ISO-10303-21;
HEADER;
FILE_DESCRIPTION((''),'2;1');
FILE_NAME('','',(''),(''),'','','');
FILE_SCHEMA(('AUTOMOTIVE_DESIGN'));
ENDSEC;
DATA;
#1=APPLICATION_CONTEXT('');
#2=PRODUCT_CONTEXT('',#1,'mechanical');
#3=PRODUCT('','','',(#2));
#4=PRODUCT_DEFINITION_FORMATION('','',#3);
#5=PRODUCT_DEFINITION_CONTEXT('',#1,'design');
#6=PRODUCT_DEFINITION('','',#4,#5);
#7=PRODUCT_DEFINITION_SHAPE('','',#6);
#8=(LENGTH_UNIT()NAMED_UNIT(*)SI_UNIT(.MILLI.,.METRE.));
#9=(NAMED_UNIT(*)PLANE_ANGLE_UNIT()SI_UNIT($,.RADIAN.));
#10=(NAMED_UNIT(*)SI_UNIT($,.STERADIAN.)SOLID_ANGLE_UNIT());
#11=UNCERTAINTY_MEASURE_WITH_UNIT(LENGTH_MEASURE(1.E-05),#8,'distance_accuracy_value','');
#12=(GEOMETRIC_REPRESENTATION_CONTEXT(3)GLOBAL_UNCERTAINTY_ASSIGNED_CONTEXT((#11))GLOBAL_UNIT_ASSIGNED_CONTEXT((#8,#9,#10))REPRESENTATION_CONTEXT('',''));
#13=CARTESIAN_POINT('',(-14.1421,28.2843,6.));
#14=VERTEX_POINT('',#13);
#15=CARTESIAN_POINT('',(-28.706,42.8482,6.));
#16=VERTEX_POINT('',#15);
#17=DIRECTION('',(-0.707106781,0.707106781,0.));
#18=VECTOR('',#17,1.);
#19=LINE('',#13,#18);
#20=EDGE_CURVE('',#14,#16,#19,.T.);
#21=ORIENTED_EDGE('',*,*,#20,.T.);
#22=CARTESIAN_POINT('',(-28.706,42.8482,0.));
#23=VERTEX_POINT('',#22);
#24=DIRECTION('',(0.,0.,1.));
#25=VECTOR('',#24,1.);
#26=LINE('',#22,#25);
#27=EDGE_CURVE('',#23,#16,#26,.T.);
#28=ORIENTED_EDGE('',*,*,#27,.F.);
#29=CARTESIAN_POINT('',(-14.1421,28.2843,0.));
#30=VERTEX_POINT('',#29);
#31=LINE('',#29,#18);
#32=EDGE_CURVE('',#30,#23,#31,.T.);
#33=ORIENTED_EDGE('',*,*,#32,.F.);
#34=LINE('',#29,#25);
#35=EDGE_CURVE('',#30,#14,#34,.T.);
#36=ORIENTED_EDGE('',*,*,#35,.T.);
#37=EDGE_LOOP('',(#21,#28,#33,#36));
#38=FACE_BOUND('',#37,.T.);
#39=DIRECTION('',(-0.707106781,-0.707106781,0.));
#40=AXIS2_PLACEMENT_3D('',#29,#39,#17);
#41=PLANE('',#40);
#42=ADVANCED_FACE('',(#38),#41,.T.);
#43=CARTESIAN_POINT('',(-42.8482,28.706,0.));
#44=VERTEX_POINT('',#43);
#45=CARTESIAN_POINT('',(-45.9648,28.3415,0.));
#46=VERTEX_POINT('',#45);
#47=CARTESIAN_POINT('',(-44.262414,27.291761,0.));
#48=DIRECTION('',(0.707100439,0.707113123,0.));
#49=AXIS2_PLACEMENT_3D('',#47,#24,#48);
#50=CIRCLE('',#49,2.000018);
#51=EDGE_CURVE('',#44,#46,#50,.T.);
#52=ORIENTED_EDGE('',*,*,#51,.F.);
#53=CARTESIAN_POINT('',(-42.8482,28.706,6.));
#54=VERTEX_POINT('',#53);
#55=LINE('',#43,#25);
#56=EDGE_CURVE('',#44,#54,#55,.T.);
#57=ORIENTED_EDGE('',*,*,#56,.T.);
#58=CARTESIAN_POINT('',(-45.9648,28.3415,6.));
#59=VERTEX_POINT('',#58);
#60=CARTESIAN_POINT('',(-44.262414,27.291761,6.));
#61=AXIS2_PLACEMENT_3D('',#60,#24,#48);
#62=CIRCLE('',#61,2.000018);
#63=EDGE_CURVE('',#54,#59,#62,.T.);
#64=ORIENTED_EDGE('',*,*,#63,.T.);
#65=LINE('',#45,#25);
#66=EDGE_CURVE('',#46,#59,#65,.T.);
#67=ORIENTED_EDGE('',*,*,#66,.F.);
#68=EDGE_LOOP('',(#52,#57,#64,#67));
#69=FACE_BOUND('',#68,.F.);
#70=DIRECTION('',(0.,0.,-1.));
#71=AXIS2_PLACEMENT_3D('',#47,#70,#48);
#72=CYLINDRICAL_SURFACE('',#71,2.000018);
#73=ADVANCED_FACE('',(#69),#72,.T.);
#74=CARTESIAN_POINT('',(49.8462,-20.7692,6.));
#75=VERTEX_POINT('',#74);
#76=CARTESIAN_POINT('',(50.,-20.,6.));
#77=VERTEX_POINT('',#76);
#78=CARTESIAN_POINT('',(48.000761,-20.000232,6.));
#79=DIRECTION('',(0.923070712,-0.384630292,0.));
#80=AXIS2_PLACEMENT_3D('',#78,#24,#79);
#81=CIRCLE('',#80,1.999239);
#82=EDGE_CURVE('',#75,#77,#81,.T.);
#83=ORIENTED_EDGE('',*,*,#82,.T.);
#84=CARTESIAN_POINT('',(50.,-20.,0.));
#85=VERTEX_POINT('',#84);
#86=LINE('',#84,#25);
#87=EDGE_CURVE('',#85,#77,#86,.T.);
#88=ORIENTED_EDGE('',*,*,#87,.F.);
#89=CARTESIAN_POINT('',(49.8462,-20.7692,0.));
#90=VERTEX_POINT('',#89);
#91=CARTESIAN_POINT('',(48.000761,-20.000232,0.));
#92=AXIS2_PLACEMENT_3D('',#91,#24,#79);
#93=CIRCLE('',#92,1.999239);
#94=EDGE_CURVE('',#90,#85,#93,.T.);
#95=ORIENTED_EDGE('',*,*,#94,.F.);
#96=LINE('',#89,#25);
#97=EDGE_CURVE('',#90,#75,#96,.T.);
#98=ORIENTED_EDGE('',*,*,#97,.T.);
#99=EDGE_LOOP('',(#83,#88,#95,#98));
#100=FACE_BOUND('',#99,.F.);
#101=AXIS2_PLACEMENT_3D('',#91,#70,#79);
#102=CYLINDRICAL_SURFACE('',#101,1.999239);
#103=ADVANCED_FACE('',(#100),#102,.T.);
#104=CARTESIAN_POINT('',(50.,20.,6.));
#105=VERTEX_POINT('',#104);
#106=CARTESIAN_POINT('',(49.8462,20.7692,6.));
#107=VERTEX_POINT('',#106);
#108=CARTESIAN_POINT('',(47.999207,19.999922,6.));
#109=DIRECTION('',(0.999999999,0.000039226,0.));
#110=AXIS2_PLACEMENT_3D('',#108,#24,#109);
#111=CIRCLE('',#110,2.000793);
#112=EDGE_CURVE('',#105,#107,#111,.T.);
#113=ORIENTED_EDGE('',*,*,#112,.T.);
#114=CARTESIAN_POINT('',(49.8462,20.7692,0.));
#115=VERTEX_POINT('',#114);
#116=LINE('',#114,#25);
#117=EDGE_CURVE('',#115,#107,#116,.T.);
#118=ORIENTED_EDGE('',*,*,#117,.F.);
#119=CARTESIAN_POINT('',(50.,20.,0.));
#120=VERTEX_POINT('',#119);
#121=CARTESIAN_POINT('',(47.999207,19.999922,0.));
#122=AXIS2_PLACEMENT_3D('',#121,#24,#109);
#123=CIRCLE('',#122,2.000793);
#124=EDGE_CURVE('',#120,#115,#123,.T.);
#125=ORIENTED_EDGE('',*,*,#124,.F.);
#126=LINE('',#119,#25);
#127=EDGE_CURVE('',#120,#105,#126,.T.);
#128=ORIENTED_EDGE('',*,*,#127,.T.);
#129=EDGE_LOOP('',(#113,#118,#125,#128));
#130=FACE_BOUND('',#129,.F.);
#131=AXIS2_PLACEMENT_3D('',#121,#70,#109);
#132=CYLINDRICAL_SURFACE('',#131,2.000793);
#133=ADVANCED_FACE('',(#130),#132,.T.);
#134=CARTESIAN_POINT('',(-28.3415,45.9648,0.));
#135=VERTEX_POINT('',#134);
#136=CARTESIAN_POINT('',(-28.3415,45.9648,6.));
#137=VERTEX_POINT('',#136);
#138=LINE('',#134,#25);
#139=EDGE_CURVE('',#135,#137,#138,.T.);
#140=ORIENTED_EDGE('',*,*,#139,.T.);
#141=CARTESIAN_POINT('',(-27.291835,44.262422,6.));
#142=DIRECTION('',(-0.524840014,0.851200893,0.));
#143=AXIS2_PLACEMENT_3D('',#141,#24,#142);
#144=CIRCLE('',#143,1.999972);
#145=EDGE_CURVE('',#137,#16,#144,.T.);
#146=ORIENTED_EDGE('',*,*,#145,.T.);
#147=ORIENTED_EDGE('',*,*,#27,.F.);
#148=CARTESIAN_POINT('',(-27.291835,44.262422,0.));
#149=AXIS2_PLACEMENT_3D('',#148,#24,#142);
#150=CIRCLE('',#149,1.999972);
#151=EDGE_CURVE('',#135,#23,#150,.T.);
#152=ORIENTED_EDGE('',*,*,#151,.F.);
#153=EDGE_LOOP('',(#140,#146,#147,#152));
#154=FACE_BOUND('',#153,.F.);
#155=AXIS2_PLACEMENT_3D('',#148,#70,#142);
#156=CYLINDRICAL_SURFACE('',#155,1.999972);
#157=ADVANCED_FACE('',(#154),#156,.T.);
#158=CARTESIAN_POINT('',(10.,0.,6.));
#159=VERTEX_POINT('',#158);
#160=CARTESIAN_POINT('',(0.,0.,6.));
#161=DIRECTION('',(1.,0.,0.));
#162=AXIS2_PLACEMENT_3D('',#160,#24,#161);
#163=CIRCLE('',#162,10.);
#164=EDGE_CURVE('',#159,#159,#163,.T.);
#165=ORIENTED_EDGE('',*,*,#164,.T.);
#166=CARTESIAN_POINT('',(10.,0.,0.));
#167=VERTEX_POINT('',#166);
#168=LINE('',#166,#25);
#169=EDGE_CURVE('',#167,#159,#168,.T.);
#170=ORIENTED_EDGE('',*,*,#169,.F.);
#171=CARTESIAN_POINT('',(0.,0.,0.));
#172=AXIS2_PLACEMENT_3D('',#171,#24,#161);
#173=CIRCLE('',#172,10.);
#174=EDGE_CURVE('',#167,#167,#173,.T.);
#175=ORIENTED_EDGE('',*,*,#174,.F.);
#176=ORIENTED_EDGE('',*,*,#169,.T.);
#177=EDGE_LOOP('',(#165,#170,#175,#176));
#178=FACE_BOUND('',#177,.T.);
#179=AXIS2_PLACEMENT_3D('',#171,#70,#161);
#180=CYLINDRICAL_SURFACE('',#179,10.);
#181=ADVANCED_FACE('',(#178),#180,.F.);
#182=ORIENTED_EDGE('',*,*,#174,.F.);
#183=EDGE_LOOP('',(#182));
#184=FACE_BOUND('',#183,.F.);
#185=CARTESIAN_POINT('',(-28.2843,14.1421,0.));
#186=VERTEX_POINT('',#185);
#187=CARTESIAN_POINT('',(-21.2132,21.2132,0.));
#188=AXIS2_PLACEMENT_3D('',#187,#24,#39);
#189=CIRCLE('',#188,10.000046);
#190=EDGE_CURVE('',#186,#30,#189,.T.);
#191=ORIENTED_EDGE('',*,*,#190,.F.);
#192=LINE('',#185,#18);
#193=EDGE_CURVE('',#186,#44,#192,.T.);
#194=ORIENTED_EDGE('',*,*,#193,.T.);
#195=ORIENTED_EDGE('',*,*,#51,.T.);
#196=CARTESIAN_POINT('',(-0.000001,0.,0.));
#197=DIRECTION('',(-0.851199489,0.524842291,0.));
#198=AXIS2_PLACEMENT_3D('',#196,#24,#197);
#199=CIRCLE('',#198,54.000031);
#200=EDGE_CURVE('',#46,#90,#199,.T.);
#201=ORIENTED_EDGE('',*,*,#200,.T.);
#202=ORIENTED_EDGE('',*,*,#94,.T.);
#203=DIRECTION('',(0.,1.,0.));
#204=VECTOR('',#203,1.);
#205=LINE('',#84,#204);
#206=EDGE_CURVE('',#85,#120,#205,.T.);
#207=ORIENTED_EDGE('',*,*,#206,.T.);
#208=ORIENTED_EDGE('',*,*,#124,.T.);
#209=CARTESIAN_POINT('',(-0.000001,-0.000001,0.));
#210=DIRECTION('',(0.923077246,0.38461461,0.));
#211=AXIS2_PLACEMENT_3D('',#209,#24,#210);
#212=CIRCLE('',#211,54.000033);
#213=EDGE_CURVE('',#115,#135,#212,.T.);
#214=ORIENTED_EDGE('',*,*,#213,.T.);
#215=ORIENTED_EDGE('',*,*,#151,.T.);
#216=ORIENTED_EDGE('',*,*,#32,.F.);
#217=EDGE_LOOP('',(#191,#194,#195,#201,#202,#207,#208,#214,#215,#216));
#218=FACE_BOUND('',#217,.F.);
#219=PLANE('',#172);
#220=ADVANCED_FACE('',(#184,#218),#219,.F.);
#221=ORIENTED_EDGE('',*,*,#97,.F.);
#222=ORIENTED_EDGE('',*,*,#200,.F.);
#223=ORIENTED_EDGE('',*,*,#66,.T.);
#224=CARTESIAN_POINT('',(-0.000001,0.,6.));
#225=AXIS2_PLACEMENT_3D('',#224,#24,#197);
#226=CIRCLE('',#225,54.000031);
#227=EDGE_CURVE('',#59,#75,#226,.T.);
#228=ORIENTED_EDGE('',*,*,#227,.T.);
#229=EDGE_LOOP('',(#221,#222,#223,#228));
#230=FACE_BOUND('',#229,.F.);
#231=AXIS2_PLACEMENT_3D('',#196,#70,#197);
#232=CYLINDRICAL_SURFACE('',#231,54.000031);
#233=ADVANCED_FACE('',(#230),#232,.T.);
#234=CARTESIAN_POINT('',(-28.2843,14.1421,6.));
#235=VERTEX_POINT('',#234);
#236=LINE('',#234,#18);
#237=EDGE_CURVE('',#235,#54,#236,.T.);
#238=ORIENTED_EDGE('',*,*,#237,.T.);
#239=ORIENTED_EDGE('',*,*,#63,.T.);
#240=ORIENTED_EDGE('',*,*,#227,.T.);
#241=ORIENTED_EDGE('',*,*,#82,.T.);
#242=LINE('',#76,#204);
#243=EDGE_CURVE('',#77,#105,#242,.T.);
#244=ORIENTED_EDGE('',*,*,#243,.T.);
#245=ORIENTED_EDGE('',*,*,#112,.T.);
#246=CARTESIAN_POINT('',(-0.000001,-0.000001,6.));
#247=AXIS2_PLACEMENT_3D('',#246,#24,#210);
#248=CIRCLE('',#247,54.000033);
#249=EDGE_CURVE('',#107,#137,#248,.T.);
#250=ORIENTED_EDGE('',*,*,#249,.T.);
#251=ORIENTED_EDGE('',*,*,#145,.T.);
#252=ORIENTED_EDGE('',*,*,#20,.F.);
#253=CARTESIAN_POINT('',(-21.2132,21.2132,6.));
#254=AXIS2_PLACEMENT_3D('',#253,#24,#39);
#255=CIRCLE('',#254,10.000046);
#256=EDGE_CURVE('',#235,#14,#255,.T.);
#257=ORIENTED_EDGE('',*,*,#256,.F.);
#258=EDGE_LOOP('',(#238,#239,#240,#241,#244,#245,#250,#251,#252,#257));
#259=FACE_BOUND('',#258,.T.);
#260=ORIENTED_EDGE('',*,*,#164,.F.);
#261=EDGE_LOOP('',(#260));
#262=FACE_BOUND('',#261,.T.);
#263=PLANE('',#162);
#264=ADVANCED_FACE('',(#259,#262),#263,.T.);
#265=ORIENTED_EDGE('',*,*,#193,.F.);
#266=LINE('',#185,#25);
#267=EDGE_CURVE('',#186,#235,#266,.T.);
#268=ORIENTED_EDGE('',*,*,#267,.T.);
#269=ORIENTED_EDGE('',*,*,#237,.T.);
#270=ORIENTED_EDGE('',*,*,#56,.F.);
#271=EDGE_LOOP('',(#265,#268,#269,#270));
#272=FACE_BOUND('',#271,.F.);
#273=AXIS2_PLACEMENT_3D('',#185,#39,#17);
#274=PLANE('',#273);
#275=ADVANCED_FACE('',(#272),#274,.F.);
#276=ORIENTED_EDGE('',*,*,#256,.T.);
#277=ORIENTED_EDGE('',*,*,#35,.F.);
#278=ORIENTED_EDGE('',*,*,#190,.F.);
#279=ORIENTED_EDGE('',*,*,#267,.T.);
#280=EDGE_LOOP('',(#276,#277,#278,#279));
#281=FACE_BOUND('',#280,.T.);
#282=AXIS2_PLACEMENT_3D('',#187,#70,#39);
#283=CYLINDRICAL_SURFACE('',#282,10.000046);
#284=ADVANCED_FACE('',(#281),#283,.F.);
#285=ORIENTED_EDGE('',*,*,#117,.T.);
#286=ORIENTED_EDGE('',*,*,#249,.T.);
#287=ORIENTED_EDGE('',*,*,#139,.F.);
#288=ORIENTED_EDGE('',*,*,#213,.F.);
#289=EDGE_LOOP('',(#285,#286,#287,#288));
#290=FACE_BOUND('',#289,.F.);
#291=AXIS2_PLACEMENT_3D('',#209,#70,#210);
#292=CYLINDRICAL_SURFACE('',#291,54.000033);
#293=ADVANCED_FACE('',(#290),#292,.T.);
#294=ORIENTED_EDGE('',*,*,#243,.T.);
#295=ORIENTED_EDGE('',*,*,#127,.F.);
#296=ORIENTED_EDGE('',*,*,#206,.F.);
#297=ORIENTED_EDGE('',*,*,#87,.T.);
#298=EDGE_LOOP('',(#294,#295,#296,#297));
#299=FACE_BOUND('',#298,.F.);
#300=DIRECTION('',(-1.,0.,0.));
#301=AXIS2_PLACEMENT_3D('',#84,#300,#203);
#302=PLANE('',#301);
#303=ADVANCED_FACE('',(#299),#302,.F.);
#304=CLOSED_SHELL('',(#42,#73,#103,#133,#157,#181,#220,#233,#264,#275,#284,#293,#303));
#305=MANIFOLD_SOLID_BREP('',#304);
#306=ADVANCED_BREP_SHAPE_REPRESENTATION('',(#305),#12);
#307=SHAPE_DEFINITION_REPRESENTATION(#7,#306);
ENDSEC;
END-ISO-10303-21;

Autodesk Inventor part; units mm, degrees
ref_plane "YZ Plane" through (0, 0, 0) normal (1, 0, 0) x (0, 1, 0)
ref_plane "XZ Plane" through (0, 0, 0) normal (0, 1, 0) x (-1, 0, 0)
ref_plane "XY Plane" through (0, 0, 0) normal (0, 0, 1) x (1, 0, 0)
sketch "Sketch1" plane through (0, 0, 0) normal (0, 0, 1) x (1, 0, 0)
  circle A0 centre (0, 0) radius 10
  arc A1 (-28.2843, 14.1421) -> (-14.1421, 28.2843) centre (-21.2132, 21.2132) ccw
  line L0 (-14.1421, 28.2843) -> (-28.706, 42.8482)
  line L1 (-28.2843, 14.1421) -> (-42.8482, 28.706)
  line L2 (50, -20) -> (50, 20)
  arc A2 (-45.9648, 28.3415) -> (49.8462, -20.7692) centre (0, 0) ccw
  arc A3 (49.8462, 20.7692) -> (-28.3415, 45.9648) centre (0, 0) ccw
  arc A4 (-42.8482, 28.706) -> (-45.9648, 28.3415) centre (-44.2624, 27.2918) ccw
  arc A5 (-28.3415, 45.9648) -> (-28.706, 42.8482) centre (-27.2918, 44.2624) ccw
  arc A6 (50, 20) -> (49.8462, 20.7692) centre (48, 20) ccw
  arc A7 (49.8462, -20.7692) -> (50, -20) centre (48, -20) ccw
  line L3 (0, 0) -> (-40.4458, 40.4458) construction
  point P0 (-30.4523, 44.5944)
  point P1 (-44.5944, 30.4523)
  point P2 (50, -20.3961)
  point P3 (50, 20.3961)
  dimension "d1" = 20
  dimension "d4" = 20
  dimension "d12" = 50
  dimension "d13" = 2
  dimension "d14" = 54
  dimension "d15" = 54
  dimension "d16" = 20
  dimension "d19" = 45
  dimension "d21" = 10
  dimension "d22" = 30
extrude "Extrusion3" add sketch "Sketch1" along normal blind 6
properties part number "EndCap 108"
